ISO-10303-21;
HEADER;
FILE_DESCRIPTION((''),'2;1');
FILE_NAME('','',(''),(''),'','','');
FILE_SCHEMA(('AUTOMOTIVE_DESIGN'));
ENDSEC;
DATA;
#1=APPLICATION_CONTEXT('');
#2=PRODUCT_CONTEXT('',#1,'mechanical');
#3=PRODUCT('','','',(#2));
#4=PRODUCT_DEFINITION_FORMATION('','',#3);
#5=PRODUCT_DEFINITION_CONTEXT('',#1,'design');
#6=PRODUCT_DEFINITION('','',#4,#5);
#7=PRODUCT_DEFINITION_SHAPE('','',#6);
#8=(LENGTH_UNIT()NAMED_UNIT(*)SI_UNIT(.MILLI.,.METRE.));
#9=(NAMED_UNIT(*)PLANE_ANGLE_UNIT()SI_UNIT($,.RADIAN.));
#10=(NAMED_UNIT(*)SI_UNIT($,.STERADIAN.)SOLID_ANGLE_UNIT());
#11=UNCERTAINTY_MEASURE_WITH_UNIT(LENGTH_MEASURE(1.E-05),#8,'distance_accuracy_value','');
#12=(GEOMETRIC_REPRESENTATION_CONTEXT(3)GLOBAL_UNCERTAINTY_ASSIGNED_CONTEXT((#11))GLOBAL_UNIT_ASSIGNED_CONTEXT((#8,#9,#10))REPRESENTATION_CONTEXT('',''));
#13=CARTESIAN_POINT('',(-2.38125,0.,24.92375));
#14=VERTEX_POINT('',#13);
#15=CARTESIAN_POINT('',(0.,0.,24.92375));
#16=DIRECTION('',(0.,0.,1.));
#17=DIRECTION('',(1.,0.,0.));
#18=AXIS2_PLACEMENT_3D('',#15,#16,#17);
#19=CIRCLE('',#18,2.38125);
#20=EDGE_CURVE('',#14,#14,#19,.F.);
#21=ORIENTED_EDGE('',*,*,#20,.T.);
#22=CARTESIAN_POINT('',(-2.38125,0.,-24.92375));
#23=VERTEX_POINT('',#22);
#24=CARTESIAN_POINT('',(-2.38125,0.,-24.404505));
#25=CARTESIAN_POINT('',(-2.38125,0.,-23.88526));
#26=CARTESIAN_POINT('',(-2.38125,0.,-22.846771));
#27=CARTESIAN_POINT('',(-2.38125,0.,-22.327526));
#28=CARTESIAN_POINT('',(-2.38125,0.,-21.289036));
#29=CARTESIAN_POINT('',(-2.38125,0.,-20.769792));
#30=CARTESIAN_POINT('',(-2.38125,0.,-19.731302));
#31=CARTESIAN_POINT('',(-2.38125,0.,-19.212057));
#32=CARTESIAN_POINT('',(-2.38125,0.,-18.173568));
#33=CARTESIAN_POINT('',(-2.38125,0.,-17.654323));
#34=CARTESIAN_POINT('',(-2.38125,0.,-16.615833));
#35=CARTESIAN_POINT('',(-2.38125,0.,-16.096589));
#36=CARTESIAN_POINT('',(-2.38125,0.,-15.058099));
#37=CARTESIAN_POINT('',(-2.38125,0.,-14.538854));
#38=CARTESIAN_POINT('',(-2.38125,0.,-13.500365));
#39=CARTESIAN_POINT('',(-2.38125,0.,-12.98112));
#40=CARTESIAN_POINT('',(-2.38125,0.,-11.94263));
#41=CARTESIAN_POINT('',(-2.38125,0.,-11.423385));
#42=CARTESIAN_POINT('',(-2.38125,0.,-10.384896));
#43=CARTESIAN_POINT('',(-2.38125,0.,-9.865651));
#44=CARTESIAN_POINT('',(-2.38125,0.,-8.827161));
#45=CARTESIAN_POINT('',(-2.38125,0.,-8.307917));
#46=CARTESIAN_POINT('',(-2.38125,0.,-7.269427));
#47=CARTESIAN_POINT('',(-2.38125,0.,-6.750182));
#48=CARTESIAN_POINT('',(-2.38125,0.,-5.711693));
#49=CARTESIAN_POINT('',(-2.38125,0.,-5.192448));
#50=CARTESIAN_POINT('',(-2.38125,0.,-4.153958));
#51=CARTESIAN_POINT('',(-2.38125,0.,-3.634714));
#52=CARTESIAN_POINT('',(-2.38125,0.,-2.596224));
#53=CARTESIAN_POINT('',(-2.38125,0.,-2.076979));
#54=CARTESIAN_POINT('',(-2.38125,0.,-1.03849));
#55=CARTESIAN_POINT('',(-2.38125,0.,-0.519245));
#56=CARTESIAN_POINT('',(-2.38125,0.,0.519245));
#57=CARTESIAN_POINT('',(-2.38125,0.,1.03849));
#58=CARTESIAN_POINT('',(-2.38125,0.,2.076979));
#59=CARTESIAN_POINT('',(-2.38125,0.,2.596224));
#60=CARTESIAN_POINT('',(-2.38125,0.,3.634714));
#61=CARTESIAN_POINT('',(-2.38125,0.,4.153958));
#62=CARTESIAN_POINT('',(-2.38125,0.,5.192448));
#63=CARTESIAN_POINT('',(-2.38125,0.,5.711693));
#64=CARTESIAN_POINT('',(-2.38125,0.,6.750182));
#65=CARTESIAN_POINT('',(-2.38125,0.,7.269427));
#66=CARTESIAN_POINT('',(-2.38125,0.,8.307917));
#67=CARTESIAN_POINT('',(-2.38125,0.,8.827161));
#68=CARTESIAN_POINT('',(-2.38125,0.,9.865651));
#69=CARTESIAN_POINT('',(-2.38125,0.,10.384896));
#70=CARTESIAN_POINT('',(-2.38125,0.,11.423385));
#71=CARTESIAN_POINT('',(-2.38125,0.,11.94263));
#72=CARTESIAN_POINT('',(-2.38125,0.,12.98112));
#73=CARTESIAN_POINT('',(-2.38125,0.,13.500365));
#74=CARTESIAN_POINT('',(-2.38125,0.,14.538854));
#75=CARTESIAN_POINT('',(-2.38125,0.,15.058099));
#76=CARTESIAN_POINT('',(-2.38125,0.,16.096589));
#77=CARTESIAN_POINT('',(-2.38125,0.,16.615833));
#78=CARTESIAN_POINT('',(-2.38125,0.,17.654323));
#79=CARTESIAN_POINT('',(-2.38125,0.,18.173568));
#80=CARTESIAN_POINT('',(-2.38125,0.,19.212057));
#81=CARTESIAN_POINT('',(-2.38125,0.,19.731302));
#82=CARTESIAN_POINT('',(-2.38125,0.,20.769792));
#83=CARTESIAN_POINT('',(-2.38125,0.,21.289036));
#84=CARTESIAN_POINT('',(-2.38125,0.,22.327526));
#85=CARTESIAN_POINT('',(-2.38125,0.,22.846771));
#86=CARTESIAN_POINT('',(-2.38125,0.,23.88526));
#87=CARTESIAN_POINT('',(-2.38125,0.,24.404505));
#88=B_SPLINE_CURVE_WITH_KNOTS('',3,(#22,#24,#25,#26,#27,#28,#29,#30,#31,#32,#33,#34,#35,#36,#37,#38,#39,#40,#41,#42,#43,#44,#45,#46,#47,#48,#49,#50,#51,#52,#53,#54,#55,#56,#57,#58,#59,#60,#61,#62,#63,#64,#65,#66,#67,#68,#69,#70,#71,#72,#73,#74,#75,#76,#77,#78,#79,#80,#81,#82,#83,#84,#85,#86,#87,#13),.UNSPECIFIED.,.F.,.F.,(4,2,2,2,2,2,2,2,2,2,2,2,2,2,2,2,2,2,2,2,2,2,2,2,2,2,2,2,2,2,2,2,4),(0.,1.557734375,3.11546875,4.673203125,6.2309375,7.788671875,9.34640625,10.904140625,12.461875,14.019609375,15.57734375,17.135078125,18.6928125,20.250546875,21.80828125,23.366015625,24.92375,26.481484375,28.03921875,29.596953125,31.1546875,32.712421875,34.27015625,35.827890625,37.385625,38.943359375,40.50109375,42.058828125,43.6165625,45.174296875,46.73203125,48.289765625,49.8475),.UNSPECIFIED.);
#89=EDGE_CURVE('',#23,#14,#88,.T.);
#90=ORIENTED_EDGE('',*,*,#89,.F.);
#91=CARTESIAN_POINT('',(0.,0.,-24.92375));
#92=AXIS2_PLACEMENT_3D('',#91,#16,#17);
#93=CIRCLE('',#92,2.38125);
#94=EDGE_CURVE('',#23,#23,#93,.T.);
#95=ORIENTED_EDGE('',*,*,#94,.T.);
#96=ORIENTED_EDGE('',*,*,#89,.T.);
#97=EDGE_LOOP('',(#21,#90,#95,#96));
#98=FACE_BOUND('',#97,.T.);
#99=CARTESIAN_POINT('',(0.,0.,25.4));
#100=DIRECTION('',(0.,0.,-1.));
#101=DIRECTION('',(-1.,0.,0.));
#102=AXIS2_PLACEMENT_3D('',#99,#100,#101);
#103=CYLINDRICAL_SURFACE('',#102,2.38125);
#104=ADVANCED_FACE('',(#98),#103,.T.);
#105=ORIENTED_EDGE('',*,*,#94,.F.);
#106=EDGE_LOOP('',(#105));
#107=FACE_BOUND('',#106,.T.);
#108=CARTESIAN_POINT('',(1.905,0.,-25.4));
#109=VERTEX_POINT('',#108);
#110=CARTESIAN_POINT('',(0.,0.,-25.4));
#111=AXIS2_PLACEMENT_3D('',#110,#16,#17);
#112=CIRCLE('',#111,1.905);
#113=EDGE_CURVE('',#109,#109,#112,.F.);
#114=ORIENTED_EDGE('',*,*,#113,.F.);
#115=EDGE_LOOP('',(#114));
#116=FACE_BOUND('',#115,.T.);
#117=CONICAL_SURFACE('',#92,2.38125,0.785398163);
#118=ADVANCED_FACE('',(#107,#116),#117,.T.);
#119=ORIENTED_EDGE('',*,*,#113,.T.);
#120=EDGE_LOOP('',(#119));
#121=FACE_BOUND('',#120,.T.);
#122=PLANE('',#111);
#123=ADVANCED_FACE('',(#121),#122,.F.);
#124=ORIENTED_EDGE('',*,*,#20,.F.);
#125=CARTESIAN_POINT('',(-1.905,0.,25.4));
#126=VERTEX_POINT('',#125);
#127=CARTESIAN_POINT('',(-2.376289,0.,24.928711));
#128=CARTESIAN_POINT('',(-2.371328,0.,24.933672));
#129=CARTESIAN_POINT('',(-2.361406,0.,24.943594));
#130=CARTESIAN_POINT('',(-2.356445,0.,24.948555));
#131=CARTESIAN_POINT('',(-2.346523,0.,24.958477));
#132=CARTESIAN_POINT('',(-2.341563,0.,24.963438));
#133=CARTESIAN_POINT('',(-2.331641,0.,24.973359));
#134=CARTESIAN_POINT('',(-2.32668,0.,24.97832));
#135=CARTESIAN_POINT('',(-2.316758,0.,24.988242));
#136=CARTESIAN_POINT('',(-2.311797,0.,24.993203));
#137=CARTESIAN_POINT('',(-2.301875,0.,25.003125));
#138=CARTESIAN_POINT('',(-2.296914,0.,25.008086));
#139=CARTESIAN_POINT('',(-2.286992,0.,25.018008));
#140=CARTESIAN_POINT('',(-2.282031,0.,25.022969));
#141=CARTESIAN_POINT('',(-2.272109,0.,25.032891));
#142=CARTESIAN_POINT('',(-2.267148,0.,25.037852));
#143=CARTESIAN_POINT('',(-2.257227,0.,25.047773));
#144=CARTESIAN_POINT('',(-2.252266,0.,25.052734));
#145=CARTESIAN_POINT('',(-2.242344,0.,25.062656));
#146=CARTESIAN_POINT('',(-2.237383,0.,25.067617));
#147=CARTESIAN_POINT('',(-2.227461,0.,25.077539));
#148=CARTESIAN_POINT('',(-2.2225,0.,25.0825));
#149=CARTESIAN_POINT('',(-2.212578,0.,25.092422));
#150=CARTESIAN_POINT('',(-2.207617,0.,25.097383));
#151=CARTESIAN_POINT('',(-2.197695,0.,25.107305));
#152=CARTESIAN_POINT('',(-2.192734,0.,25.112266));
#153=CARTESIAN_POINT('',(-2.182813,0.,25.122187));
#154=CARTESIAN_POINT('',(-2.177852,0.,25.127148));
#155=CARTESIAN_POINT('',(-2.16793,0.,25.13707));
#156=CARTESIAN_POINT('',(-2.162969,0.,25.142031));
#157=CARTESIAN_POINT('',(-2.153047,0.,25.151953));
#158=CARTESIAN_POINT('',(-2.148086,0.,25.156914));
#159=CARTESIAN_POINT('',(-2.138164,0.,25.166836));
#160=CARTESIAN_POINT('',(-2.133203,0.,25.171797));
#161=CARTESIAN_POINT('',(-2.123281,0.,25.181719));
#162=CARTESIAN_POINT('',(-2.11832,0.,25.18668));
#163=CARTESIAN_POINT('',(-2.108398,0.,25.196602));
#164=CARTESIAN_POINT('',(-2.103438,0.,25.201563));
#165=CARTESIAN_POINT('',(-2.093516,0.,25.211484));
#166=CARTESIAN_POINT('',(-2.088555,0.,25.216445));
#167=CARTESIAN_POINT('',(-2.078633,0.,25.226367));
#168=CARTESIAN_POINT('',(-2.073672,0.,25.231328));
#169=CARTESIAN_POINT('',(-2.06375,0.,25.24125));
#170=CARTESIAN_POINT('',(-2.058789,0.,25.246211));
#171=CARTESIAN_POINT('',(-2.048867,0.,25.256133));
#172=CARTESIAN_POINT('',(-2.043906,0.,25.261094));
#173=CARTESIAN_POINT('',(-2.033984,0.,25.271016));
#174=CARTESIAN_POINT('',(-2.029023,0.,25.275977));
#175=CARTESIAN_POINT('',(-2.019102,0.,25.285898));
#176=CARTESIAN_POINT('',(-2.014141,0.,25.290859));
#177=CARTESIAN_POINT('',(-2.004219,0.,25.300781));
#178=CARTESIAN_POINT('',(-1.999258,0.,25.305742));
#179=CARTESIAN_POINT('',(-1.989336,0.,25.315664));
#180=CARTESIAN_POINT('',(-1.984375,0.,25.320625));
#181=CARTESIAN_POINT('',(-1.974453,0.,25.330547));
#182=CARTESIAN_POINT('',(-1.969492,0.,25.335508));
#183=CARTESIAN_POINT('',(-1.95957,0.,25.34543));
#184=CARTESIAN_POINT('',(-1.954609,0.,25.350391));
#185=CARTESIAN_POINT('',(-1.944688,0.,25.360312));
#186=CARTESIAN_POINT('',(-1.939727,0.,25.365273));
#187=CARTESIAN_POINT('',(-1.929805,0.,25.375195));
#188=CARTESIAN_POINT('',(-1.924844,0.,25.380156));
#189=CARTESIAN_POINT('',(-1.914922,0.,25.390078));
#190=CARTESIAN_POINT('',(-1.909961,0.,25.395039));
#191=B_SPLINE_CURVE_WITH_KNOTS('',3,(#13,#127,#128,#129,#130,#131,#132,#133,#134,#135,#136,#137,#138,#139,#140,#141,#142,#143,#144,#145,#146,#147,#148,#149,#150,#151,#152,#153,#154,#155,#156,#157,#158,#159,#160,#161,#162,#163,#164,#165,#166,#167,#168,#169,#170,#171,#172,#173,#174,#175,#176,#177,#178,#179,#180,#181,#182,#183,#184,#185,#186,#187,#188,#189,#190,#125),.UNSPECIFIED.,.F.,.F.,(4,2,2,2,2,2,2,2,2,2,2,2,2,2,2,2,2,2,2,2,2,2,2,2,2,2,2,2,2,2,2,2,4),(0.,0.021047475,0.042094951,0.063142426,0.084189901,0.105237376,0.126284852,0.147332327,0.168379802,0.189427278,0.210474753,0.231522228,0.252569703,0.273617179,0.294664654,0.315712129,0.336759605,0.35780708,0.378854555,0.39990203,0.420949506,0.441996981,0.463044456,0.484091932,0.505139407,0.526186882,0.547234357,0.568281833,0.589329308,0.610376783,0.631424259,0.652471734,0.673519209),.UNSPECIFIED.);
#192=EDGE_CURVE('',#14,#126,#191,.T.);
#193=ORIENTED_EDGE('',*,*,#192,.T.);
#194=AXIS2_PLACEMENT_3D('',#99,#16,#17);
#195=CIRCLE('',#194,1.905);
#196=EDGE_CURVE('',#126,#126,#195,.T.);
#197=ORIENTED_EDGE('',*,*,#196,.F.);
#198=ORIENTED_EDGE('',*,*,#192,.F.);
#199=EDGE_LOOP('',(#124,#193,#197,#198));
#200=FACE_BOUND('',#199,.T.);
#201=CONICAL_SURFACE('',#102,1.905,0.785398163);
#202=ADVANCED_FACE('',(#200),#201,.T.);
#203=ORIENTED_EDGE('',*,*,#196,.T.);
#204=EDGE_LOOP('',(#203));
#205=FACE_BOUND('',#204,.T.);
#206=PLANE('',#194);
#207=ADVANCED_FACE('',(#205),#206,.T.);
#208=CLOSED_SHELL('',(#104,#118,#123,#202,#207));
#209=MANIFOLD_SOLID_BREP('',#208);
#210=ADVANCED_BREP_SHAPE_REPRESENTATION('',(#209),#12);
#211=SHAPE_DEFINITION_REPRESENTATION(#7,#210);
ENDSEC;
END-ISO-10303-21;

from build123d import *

# Parameters (mm, degrees)
BOSS_EXTRUDE1_DEPTH      = 25.4
BOSS_EXTRUDE1_DEPTH_BACK = 25.4
SKETCH3_R                = 2.38125
CHAMFER1_SIZE            = 0.47625


with BuildPart() as part:
    # Sketch3 → Boss-Extrude1 (new, two sides: drawn at the far end of the back side and taken through both)
    with BuildSketch(Plane.XY.offset(-BOSS_EXTRUDE1_DEPTH_BACK)):
        Circle(SKETCH3_R)
    extrude(amount=BOSS_EXTRUDE1_DEPTH + BOSS_EXTRUDE1_DEPTH_BACK)

    # Chamfer1
    chamfer1_edges = [part.edges().sort_by_distance(p)[0] for p in [
        (-2.38125, 0, -25.4),
        (-2.38125, 0, 25.4),
    ]]
    chamfer(chamfer1_edges, length=CHAMFER1_SIZE)


solid = part.part
